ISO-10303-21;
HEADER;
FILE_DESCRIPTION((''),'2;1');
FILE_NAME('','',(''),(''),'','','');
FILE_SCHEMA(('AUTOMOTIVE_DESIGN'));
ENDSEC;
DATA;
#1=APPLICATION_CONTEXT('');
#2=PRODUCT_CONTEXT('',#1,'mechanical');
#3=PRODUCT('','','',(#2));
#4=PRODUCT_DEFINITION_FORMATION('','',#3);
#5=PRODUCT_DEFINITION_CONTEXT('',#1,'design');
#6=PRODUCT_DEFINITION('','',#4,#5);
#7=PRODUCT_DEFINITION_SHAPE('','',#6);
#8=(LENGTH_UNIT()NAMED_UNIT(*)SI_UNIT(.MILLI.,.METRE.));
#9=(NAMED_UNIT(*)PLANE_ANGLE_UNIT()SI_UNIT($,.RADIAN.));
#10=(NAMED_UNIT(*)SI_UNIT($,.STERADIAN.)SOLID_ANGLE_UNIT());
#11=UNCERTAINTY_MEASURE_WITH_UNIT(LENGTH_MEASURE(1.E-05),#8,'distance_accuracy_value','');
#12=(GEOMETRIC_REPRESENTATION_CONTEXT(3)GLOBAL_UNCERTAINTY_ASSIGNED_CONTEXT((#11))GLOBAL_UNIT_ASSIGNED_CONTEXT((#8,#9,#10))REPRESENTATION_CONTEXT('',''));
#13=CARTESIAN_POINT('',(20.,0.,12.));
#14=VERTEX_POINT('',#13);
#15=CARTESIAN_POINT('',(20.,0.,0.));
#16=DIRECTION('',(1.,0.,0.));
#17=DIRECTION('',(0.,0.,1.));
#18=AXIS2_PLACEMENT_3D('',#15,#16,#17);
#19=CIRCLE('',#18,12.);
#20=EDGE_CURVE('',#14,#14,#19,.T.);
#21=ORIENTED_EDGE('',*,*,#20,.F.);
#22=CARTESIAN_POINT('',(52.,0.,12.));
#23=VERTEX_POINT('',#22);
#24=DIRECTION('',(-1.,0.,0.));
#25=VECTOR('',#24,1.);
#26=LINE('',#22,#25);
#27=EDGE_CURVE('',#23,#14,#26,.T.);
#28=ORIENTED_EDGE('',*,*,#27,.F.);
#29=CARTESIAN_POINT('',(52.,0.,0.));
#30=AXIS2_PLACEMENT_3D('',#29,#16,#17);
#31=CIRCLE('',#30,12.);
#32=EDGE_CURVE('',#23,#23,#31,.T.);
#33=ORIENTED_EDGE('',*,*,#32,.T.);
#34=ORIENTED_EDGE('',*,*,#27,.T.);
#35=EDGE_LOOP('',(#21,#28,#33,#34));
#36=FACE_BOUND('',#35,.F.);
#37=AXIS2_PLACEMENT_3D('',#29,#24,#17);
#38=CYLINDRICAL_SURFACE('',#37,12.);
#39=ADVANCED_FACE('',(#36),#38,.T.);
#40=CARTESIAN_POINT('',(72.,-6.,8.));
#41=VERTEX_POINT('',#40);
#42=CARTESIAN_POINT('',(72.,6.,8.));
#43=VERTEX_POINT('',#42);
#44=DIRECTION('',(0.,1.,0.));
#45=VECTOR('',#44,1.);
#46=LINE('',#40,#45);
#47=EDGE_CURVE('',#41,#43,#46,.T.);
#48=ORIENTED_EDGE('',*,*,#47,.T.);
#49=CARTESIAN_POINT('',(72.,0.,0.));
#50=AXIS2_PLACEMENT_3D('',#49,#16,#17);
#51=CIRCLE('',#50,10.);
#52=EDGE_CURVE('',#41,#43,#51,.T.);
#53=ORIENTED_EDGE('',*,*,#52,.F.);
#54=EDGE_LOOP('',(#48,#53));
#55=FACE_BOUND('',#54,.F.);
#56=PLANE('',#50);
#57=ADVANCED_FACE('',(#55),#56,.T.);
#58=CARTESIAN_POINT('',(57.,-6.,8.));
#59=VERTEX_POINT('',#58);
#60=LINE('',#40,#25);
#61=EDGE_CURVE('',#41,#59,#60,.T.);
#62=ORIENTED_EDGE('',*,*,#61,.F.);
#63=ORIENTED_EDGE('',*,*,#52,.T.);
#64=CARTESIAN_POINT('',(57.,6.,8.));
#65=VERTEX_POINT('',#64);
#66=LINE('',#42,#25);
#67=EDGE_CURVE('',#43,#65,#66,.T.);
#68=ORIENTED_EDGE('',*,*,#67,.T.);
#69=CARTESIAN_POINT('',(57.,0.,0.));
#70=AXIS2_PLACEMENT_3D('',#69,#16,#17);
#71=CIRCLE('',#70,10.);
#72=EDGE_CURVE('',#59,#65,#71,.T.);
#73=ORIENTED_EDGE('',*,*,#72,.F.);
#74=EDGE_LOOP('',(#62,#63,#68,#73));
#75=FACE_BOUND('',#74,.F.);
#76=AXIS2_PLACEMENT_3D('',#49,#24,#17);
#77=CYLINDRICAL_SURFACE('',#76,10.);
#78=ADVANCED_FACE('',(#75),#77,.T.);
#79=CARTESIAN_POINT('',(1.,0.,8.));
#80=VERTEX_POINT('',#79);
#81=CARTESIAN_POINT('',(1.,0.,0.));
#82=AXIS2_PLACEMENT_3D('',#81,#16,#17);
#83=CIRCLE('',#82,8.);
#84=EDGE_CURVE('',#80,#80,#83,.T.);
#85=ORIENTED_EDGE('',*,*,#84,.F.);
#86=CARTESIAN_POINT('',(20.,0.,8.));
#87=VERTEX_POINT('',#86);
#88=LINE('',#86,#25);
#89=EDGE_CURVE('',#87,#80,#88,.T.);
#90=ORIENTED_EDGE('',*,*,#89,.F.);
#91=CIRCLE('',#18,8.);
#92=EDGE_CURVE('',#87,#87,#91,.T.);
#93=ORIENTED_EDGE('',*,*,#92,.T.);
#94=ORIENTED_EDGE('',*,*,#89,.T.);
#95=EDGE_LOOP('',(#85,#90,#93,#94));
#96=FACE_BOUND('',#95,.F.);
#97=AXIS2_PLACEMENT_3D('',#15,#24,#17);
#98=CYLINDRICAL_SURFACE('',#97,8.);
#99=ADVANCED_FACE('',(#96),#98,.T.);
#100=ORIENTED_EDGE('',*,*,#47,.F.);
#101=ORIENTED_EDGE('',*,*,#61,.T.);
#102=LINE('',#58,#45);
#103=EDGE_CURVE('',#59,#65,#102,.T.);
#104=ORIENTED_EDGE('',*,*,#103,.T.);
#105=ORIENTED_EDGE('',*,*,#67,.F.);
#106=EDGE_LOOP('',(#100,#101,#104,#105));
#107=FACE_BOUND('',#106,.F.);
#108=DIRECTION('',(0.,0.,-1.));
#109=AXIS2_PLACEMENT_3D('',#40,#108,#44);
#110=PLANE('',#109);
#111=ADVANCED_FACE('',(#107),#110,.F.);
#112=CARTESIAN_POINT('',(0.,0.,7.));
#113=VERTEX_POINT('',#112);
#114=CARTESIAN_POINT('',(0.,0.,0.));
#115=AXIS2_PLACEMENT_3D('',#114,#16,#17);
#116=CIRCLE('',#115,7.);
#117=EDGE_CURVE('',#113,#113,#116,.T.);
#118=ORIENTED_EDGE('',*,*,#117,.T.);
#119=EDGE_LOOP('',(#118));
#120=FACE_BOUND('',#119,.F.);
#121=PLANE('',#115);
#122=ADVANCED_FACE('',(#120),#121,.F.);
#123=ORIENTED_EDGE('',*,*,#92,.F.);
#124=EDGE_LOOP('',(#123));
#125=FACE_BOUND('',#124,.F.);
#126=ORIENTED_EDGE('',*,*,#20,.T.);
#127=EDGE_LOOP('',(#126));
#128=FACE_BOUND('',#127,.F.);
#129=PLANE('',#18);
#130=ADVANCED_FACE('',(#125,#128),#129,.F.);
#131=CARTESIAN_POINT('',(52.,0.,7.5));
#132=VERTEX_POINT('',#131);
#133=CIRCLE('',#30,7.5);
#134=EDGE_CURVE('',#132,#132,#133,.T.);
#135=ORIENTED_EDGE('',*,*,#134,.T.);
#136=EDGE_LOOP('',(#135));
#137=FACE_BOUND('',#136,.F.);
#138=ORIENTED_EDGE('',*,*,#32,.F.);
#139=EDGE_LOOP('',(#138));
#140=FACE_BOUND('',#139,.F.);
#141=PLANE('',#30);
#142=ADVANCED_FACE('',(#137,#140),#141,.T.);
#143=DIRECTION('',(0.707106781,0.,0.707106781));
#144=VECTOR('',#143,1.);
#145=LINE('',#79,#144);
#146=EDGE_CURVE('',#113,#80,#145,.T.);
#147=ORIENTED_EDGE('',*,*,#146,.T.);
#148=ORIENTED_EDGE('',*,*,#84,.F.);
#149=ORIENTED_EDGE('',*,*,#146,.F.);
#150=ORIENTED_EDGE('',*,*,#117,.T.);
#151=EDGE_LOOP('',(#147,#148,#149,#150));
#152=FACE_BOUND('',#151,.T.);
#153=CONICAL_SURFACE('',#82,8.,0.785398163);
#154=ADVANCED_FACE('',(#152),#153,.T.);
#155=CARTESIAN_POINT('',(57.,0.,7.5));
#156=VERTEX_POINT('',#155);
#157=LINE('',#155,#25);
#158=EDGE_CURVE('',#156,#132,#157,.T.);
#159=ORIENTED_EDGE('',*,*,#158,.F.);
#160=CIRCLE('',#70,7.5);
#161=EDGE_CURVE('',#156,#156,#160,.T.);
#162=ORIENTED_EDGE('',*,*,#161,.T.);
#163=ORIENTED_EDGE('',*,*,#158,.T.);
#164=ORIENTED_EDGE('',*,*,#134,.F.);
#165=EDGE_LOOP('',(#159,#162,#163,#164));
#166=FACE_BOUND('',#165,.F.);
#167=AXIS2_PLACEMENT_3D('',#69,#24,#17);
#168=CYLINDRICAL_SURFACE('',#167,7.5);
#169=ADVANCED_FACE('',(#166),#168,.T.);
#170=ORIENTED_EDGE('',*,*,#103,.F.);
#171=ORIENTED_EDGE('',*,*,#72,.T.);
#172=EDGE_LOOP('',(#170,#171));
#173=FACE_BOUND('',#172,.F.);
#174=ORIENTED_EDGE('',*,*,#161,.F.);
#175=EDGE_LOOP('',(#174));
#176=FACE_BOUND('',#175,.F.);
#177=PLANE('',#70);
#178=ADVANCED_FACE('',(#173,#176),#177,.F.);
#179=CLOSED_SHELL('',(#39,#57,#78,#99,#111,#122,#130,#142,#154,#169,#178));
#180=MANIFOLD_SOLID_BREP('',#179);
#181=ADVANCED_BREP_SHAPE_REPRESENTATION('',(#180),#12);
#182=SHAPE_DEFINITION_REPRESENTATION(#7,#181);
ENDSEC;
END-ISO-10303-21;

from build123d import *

# Parameters (mm, degrees)
F2_SIZE  = 1
F4_DEPTH = 15


with BuildPart() as f1:
    # F0 (on Front) → F1 (revolve)
    with BuildSketch(Plane.XZ):
        Polygon((0, 8), (0, 0), (72, 0), (72, 10), (57, 10), (57, 7.5), (52, 7.5), (52, 12), (20, 12), (20, 8), align=None)
    revolve(axis=Axis((33.058259, 0, 0), (1, 0, 0)))

    # F2
    f2_edges = [f1.edges().sort_by_distance(p)[0] for p in [
        (0, 0, -8),
    ]]
    chamfer(f2_edges, length=F2_SIZE)

    # F3 (on face) → F4 (cut)
    with BuildSketch(Plane.YZ.offset(72)):
        with BuildLine():
            Line((-6, 8), (6, 8))
            ThreePointArc((6, 8), (0, 10), (-6, 8))
        make_face()
    extrude(amount=-F4_DEPTH, mode=Mode.SUBTRACT)


solid = f1.part
